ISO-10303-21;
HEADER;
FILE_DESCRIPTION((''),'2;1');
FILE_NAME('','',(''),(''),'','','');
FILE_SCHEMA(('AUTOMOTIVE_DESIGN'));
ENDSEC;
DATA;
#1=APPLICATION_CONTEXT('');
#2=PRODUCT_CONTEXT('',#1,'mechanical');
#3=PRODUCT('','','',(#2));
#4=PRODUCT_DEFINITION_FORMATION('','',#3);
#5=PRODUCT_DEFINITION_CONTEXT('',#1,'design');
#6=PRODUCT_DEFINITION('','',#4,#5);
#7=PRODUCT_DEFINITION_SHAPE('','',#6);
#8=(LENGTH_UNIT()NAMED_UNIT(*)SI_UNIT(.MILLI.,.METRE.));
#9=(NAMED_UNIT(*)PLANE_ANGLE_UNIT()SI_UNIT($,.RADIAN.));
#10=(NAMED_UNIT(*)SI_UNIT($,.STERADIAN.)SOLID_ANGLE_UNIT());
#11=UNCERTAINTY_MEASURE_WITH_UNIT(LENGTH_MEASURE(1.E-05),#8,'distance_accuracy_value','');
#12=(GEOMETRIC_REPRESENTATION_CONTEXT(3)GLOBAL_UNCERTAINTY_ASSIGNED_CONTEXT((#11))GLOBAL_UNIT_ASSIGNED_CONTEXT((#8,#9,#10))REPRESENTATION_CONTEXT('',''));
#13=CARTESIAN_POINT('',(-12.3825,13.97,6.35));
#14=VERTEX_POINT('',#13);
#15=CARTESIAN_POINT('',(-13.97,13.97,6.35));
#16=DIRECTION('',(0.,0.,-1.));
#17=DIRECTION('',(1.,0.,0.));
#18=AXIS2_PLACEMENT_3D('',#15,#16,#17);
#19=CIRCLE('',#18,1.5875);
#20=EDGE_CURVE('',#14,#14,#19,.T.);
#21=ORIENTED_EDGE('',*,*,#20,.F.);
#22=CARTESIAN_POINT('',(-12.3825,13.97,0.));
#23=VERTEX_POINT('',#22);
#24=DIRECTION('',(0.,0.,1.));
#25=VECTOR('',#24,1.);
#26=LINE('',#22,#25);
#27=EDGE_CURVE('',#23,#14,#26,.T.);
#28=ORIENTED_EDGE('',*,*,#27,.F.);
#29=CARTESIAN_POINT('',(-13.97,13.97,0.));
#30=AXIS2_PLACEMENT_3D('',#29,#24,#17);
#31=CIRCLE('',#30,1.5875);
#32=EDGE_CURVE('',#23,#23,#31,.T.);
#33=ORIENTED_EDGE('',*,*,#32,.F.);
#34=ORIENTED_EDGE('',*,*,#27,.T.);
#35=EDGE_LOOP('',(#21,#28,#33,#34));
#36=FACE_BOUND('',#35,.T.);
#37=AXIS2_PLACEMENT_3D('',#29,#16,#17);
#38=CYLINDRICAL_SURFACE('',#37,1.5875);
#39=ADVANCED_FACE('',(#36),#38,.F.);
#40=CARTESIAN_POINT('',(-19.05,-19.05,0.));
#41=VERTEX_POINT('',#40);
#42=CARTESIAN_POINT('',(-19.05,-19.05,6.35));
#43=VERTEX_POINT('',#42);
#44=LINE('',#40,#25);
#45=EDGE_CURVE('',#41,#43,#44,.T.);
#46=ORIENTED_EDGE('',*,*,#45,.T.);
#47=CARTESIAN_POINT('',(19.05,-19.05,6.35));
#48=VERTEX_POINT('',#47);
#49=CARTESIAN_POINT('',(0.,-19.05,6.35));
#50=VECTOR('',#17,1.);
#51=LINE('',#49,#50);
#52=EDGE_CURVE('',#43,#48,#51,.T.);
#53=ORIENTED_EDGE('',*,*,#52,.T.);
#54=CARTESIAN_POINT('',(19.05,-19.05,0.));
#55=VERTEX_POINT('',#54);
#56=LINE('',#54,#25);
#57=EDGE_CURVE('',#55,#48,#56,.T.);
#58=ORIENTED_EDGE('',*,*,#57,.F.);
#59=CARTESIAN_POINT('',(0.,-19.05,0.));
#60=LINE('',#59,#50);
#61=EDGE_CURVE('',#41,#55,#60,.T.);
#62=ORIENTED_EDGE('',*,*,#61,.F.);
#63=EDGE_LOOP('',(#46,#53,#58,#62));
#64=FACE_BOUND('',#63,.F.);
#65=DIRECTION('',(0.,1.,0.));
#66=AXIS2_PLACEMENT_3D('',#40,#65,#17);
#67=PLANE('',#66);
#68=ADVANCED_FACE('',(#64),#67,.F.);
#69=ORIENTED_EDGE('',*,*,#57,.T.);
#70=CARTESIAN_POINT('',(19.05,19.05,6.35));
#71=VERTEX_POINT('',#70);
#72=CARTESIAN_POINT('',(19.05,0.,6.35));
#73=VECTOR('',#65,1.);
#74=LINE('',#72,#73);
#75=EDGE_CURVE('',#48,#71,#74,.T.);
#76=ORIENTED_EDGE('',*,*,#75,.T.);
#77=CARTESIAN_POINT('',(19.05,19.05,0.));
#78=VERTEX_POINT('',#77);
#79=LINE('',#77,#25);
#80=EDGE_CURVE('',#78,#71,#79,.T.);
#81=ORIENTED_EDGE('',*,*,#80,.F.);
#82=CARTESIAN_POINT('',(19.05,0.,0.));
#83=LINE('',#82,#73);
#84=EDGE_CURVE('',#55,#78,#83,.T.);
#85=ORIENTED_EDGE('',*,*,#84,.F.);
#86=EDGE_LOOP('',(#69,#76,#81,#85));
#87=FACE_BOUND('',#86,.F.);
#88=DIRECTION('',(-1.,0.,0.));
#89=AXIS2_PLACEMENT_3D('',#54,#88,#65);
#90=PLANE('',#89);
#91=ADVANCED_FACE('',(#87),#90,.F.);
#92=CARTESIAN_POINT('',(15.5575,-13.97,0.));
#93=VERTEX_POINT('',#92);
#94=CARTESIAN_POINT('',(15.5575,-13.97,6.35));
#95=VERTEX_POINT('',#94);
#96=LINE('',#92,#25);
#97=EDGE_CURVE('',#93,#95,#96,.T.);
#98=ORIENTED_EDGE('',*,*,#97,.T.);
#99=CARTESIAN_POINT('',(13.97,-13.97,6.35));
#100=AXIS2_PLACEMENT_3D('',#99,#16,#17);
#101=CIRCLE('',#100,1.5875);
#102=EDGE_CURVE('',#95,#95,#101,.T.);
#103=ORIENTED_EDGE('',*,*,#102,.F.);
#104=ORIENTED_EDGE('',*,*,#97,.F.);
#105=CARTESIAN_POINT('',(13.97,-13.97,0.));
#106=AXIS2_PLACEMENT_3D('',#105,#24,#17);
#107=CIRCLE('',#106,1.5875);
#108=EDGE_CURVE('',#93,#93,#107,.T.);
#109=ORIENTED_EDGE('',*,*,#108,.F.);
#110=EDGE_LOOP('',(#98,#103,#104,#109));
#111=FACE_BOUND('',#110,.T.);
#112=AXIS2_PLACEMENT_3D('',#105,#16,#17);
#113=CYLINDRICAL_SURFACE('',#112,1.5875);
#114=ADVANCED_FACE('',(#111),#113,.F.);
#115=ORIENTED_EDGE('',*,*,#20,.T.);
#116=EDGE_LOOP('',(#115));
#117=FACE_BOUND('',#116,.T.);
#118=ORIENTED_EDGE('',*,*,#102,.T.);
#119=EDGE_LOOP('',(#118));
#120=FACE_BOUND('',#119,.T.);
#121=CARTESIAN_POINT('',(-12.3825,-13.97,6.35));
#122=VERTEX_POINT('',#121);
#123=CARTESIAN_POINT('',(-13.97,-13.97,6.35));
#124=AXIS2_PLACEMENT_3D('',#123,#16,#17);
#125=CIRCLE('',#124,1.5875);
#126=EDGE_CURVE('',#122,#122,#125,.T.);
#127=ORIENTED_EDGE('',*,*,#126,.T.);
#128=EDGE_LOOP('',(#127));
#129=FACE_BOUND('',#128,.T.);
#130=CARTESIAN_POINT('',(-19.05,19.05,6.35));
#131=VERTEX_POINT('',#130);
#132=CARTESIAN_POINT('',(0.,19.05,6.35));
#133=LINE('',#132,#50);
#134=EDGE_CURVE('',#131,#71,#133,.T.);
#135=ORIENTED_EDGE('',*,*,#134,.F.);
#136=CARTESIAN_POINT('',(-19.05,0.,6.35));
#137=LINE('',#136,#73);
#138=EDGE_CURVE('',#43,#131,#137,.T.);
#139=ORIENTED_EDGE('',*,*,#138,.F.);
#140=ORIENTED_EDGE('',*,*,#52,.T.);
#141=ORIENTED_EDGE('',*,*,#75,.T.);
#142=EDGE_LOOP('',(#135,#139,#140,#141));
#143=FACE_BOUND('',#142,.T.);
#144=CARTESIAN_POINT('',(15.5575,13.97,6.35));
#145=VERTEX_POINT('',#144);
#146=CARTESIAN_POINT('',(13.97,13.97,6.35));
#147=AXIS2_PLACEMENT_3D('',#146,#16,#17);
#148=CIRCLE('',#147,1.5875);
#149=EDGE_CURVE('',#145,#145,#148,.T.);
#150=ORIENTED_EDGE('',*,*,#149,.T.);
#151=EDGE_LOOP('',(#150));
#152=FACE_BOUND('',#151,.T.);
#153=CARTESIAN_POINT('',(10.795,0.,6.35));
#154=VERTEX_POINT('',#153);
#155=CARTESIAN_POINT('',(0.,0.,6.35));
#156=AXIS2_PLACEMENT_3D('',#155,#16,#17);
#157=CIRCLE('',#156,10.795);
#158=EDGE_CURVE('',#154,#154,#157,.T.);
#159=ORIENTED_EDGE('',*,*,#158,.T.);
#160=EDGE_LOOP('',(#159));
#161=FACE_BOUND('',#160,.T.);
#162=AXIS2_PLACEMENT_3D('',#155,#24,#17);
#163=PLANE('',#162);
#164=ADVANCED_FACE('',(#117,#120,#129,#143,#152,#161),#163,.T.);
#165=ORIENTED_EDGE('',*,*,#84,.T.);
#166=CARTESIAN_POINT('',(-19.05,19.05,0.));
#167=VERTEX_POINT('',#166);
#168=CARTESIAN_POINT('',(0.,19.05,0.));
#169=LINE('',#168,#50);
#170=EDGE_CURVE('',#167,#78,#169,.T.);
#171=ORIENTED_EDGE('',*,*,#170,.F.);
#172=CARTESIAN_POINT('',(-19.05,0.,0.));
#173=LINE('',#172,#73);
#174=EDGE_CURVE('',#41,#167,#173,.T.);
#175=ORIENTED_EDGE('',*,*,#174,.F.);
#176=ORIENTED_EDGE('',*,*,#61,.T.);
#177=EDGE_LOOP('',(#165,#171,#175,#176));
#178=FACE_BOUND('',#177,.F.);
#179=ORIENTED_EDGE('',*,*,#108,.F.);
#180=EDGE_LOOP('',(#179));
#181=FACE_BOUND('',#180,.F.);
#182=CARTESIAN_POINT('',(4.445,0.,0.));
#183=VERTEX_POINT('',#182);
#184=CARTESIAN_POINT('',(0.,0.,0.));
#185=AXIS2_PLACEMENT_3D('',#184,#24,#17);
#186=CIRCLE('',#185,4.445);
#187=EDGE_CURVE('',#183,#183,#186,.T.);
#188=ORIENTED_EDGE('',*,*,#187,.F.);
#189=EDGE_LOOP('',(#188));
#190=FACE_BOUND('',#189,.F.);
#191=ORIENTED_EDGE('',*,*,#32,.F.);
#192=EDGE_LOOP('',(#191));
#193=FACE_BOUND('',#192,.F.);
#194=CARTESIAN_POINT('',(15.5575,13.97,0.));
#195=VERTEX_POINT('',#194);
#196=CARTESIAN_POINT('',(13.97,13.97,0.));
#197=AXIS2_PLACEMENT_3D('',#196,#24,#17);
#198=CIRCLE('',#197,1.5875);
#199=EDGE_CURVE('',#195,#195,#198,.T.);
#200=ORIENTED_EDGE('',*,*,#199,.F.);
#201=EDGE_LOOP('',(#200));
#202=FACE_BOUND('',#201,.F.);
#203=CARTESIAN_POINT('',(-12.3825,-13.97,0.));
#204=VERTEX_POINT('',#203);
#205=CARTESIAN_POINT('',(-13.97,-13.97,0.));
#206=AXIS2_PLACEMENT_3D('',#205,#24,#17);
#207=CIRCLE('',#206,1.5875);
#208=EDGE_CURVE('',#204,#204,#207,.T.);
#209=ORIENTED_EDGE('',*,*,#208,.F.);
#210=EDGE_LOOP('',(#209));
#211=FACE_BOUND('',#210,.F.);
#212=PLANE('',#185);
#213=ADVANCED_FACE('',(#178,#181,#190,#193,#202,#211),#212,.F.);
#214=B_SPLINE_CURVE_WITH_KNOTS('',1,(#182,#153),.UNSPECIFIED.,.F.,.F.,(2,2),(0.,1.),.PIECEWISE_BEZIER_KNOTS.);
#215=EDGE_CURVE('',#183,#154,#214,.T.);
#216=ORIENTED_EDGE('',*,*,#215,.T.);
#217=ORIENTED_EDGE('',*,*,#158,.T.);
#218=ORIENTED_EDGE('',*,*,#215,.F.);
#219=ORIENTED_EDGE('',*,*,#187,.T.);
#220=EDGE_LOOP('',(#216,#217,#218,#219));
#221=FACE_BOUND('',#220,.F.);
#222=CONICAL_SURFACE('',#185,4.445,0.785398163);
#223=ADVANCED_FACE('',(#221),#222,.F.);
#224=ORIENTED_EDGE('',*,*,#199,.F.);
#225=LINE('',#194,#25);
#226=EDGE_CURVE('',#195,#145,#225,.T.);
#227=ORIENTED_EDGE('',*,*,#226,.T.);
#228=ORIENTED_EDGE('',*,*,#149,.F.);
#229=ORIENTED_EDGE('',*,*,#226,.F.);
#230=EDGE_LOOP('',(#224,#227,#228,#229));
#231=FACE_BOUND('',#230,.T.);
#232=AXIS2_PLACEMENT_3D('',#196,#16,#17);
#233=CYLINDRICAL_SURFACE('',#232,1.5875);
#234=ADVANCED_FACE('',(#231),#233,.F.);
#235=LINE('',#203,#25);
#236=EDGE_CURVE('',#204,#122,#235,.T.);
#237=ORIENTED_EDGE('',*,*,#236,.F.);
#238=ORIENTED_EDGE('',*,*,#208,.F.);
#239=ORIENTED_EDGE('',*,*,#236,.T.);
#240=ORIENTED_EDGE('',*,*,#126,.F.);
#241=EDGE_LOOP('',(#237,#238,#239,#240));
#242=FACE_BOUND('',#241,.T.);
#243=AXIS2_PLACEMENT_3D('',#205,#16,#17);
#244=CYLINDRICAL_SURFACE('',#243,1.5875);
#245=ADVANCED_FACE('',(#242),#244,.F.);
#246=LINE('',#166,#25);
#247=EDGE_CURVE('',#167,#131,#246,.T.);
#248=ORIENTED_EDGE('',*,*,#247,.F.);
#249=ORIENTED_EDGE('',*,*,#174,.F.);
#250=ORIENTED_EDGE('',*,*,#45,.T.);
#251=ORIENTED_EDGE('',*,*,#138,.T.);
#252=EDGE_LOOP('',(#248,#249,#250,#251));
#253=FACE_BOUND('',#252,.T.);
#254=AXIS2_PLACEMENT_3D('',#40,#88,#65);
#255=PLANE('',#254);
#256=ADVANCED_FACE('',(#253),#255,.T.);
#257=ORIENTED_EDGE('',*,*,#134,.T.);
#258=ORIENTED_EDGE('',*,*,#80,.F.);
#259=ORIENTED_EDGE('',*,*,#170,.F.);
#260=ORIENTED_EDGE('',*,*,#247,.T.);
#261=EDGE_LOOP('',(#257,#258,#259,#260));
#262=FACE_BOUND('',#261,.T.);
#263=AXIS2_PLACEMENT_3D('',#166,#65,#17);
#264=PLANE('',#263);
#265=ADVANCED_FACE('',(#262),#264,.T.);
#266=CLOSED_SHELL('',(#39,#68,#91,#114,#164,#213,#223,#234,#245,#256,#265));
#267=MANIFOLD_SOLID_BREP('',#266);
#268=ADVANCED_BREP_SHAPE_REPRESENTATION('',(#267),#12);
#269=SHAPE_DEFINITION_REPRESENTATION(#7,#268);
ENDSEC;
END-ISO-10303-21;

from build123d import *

# Parameters (mm, degrees)
F0_W     = 38.1
F0_H     = 38.1
F1_DEPTH = 6.35
F2_R     = 4.445
F3_DEPTH = 25.4
F4_DEPTH = 6.35
F4_TAPER = -45
F5_R     = 1.5875
F6_DEPTH = 25.4


with BuildPart() as f1:
    # F0 (on Top) → F1 (new body)
    with BuildSketch(Plane.XY):
        Rectangle(F0_W, F0_H)
    extrude(amount=F1_DEPTH)

    # F2 (on Top) → F3 (cut)
    with BuildSketch(Plane.XY):
        Circle(F2_R)
    extrude(amount=F3_DEPTH, mode=Mode.SUBTRACT)

    # F2 (on Top) → F4 (cut)
    with BuildSketch(Plane.XY):
        Circle(F2_R)
    extrude(amount=F4_DEPTH, taper=F4_TAPER, mode=Mode.SUBTRACT)

    # F5 (on Top) → F6 (cut)
    with BuildSketch(Plane.XY):
        with Locations((13.97, -13.97)):
            Circle(F5_R)
        with Locations((13.97, 13.97)):
            Circle(F5_R)
        with Locations((-13.97, -13.97)):
            Circle(F5_R)
        with Locations((-13.97, 13.97)):
            Circle(F5_R)
    extrude(amount=F6_DEPTH, mode=Mode.SUBTRACT)


solid = f1.part
